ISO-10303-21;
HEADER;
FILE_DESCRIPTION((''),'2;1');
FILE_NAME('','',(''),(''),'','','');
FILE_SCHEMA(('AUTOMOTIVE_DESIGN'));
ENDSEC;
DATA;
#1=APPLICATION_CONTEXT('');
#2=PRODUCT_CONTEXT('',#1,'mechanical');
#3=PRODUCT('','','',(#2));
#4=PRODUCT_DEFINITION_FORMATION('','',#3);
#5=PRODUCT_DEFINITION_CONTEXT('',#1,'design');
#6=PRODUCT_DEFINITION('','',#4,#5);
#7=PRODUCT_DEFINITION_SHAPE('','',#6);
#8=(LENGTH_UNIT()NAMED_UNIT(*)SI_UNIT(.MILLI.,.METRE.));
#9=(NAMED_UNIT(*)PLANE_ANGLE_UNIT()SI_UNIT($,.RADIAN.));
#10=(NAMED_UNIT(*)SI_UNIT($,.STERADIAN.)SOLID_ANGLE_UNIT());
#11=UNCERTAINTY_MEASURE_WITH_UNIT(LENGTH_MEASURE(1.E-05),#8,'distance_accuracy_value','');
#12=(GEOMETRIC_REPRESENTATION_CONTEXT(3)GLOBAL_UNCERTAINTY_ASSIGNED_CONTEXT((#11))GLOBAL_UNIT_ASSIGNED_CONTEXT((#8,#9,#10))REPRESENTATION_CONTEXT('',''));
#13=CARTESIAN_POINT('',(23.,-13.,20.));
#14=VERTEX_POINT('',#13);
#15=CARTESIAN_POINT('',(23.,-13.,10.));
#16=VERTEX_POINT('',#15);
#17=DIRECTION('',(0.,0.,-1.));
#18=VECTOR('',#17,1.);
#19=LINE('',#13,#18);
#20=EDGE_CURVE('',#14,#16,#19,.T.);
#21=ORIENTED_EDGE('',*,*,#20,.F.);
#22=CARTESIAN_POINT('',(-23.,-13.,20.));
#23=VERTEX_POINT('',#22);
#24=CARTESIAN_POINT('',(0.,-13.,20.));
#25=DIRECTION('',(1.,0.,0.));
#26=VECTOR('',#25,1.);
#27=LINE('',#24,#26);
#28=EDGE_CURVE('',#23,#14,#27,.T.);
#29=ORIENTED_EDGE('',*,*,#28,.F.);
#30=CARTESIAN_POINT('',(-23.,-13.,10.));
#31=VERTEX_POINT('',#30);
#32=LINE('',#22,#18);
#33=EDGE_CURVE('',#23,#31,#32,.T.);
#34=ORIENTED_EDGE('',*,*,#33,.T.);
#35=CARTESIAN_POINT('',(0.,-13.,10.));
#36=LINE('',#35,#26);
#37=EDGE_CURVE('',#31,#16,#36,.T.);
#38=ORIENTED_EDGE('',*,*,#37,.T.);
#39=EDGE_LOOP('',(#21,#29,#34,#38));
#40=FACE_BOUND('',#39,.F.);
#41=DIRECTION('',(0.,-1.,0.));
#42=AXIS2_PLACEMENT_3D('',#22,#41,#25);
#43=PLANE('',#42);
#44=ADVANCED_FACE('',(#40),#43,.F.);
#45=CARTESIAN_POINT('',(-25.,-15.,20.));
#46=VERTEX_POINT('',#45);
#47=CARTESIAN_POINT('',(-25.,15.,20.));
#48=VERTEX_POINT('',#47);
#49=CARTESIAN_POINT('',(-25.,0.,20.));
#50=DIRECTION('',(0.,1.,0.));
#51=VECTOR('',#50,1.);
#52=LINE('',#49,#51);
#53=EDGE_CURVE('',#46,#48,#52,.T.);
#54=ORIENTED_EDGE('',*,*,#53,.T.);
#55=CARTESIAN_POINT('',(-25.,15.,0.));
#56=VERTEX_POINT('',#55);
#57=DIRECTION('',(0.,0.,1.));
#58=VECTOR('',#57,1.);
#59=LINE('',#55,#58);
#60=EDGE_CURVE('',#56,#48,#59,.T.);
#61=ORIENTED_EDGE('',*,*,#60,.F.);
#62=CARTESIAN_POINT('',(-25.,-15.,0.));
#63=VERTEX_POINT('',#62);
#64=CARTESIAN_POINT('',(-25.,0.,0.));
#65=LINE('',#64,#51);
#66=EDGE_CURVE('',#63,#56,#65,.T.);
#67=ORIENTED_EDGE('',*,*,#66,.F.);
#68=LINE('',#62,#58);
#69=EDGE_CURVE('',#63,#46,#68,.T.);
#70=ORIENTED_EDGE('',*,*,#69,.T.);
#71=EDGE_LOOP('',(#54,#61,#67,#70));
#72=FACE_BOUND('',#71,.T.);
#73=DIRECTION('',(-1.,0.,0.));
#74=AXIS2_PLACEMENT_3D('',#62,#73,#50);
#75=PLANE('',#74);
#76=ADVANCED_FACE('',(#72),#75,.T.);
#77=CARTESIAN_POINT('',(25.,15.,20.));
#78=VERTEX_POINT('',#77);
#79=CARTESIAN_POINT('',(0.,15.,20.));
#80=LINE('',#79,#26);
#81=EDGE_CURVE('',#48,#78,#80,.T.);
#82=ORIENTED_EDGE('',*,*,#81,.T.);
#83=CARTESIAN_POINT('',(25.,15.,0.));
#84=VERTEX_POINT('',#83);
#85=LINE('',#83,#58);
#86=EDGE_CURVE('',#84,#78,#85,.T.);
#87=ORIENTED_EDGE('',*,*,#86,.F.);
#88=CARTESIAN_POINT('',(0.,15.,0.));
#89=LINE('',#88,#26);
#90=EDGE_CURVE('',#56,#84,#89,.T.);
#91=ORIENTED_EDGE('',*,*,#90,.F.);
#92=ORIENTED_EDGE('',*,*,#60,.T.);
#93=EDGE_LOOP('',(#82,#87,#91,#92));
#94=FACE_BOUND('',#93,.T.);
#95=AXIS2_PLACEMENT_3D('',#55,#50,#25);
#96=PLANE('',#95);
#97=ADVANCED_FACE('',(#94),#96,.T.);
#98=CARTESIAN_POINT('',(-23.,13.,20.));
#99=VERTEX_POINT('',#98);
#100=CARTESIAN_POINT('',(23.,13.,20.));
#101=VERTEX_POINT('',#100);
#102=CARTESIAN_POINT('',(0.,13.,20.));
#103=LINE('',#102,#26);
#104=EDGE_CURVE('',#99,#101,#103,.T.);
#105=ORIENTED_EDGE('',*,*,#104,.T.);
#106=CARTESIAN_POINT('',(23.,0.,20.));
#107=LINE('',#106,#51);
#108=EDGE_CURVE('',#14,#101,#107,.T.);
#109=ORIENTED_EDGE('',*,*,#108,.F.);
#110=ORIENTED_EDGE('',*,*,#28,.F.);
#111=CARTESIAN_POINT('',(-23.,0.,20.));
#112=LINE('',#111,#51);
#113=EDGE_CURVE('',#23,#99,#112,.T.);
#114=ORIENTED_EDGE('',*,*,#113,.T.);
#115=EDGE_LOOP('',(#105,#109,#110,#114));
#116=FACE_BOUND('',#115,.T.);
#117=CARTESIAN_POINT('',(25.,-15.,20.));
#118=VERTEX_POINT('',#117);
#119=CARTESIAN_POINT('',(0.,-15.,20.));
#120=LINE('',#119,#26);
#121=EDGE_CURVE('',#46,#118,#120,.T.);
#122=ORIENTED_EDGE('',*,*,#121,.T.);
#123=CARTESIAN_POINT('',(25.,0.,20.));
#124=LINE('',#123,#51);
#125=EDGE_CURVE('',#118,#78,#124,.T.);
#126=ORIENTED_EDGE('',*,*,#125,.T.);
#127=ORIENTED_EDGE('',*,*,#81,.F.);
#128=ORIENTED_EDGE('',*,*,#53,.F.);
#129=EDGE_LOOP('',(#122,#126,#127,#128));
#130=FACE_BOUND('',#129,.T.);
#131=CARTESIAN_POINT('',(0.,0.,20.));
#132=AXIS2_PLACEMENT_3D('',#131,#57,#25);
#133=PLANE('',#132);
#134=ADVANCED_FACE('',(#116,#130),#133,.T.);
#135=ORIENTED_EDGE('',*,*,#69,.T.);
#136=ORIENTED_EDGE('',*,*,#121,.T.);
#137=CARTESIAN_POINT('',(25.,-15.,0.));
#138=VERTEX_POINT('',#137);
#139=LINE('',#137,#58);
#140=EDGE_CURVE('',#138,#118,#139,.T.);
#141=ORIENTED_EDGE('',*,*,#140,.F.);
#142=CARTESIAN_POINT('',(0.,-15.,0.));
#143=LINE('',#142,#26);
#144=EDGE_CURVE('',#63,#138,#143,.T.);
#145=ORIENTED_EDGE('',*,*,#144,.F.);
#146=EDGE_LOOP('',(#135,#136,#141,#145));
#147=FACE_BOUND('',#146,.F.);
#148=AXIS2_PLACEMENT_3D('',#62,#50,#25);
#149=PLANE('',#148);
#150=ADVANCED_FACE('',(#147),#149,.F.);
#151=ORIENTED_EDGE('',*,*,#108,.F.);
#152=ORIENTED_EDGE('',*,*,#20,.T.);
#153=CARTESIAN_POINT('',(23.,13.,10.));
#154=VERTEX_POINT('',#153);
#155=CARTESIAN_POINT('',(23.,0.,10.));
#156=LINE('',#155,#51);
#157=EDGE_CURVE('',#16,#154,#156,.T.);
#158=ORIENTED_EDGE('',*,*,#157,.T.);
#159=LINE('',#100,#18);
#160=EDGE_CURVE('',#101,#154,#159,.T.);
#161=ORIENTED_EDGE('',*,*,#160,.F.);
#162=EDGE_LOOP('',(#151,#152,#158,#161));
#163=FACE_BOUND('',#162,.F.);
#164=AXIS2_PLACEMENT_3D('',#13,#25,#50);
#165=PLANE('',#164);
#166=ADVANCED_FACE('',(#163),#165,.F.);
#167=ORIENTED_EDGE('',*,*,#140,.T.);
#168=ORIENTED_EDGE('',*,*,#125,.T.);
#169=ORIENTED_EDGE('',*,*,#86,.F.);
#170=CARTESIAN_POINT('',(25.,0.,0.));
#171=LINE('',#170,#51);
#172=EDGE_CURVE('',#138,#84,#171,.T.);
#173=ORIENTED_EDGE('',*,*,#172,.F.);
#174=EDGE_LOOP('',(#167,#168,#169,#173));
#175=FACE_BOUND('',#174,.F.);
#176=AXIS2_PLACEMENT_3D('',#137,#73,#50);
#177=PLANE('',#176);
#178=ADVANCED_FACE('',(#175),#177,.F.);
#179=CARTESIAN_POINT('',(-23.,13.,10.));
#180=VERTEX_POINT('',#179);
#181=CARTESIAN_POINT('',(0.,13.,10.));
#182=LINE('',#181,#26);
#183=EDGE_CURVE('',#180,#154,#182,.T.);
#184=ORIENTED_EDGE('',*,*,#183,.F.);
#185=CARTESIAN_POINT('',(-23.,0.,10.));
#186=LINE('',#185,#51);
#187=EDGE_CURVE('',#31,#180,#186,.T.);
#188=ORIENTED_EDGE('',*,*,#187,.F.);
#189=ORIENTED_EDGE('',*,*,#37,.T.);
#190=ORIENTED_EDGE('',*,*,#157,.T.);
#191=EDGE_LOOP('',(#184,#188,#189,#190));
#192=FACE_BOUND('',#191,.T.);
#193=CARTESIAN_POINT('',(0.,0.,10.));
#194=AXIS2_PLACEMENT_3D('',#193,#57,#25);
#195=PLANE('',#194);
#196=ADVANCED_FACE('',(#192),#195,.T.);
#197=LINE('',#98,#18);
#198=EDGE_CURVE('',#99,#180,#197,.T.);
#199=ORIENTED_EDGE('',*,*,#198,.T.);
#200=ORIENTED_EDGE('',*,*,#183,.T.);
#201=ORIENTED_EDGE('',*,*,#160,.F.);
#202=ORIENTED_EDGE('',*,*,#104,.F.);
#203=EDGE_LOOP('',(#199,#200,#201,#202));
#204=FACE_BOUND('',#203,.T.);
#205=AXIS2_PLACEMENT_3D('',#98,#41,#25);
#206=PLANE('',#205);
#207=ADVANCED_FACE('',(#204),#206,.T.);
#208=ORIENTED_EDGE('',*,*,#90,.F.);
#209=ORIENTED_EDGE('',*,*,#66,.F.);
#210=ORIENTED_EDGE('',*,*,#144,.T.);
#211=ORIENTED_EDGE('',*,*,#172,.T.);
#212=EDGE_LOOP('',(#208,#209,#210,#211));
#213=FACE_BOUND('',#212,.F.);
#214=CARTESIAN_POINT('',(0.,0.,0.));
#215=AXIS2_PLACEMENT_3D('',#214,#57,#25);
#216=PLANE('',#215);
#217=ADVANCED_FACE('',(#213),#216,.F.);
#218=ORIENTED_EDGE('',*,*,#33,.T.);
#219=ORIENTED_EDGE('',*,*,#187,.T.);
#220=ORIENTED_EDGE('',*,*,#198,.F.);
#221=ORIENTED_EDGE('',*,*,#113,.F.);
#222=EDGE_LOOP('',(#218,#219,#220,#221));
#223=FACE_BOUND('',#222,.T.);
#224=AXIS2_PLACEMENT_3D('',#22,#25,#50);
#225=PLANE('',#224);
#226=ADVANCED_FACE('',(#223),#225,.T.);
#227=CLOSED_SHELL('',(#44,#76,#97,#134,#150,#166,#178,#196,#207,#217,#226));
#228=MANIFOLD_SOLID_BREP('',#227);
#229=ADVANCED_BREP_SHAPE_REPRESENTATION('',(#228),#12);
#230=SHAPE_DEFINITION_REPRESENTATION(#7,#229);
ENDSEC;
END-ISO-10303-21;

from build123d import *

# Parameters (mm, degrees)
SKETCH_W     = 50
SKETCH_H     = 30
PAD_DEPTH    = 20
SKETCH001_W  = 46
SKETCH001_H  = 26
POCKET_DEPTH = 10


with BuildPart() as part:
    # Sketch → Pad (new body)
    with BuildSketch(Plane.XY):
        Rectangle(SKETCH_W, SKETCH_H)
    extrude(amount=PAD_DEPTH)

    # Sketch001 (on Face6 of Pad) → Pocket (cut)
    with BuildSketch(Plane.XY.offset(20)):
        Rectangle(SKETCH001_W, SKETCH001_H)
    extrude(amount=-POCKET_DEPTH, mode=Mode.SUBTRACT)


solid = part.part
